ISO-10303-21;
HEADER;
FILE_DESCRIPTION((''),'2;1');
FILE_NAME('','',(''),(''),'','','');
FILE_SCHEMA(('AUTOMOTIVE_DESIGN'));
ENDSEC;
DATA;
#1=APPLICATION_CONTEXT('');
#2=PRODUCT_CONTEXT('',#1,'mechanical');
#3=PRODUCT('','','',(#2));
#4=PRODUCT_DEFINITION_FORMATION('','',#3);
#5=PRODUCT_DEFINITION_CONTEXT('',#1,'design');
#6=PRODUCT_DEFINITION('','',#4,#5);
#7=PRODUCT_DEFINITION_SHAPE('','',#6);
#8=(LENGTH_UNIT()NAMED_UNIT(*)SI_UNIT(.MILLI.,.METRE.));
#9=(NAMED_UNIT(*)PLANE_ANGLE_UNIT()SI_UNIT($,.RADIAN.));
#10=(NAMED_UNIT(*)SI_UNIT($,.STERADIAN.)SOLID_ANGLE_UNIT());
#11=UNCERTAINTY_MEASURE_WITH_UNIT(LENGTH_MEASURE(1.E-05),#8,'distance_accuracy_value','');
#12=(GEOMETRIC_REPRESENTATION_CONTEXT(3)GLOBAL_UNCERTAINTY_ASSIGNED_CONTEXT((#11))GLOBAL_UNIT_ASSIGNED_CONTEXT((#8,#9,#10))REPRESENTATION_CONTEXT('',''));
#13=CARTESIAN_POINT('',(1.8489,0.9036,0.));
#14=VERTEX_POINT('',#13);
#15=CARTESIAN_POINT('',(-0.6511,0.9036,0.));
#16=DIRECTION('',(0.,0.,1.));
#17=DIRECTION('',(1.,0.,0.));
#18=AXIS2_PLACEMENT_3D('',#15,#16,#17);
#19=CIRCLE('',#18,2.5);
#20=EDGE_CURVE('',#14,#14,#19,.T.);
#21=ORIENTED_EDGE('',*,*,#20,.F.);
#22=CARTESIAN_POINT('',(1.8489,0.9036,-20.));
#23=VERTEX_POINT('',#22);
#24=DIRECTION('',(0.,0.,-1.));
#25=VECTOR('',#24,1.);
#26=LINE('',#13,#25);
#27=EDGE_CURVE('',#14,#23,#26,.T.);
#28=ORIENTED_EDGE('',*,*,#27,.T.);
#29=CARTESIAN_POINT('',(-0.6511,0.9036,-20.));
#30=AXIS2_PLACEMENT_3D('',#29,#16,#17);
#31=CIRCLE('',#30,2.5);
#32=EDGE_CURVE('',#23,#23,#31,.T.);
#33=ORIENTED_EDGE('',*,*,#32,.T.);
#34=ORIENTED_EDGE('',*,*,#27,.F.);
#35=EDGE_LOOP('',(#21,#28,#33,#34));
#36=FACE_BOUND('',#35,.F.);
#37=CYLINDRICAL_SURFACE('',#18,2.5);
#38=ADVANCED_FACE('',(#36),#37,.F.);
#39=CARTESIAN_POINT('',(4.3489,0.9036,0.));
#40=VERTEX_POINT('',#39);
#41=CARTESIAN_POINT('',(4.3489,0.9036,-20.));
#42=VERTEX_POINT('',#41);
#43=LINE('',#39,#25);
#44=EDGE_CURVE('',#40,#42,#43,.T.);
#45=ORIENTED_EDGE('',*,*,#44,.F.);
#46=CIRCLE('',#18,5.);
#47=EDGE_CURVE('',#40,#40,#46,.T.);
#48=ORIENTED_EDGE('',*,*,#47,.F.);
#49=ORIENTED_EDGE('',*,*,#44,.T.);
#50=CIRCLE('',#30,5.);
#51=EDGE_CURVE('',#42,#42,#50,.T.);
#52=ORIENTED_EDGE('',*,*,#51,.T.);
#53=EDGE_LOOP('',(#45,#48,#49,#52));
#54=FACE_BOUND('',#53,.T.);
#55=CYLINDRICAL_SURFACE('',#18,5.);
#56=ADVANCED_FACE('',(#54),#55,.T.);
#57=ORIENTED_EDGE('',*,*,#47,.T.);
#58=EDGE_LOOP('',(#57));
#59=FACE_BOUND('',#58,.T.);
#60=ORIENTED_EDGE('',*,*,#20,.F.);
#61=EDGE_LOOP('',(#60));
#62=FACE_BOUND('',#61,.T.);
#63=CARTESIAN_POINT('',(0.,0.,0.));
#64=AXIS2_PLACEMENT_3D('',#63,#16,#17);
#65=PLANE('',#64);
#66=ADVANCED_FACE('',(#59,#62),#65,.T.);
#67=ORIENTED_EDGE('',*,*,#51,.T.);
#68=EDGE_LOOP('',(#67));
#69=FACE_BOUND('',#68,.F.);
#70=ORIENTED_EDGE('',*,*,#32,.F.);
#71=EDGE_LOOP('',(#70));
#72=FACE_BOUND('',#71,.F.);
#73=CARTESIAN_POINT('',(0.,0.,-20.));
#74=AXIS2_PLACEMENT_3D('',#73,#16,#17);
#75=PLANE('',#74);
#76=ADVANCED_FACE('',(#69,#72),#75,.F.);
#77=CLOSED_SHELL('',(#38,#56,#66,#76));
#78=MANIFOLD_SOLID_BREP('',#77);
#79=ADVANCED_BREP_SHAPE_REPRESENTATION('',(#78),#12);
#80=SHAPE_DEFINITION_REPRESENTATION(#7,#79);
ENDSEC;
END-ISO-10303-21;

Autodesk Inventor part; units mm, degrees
ref_plane "YZ Plane" through (0, 0, 0) normal (1, 0, 0) x (0, 1, 0)
ref_plane "XZ Plane" through (0, 0, 0) normal (0, 1, 0) x (-1, 0, 0)
ref_plane "XY Plane" through (0, 0, 0) normal (0, 0, 1) x (1, 0, 0)
sketch "Sketch1" plane through (0, 0, 0) normal (0, 0, 1) x (1, 0, 0)
  circle A0 centre (-0.6511, 0.9036) radius 2.5
  circle A1 centre (-0.6511, 0.9036) radius 5
  point P0 (0, 0)
  dimension "d2" = 20
extrude "Extrusion1" add sketch "Sketch1" against normal blind 20
properties part number "motor-tija prindere" material "Stainless Steel"
